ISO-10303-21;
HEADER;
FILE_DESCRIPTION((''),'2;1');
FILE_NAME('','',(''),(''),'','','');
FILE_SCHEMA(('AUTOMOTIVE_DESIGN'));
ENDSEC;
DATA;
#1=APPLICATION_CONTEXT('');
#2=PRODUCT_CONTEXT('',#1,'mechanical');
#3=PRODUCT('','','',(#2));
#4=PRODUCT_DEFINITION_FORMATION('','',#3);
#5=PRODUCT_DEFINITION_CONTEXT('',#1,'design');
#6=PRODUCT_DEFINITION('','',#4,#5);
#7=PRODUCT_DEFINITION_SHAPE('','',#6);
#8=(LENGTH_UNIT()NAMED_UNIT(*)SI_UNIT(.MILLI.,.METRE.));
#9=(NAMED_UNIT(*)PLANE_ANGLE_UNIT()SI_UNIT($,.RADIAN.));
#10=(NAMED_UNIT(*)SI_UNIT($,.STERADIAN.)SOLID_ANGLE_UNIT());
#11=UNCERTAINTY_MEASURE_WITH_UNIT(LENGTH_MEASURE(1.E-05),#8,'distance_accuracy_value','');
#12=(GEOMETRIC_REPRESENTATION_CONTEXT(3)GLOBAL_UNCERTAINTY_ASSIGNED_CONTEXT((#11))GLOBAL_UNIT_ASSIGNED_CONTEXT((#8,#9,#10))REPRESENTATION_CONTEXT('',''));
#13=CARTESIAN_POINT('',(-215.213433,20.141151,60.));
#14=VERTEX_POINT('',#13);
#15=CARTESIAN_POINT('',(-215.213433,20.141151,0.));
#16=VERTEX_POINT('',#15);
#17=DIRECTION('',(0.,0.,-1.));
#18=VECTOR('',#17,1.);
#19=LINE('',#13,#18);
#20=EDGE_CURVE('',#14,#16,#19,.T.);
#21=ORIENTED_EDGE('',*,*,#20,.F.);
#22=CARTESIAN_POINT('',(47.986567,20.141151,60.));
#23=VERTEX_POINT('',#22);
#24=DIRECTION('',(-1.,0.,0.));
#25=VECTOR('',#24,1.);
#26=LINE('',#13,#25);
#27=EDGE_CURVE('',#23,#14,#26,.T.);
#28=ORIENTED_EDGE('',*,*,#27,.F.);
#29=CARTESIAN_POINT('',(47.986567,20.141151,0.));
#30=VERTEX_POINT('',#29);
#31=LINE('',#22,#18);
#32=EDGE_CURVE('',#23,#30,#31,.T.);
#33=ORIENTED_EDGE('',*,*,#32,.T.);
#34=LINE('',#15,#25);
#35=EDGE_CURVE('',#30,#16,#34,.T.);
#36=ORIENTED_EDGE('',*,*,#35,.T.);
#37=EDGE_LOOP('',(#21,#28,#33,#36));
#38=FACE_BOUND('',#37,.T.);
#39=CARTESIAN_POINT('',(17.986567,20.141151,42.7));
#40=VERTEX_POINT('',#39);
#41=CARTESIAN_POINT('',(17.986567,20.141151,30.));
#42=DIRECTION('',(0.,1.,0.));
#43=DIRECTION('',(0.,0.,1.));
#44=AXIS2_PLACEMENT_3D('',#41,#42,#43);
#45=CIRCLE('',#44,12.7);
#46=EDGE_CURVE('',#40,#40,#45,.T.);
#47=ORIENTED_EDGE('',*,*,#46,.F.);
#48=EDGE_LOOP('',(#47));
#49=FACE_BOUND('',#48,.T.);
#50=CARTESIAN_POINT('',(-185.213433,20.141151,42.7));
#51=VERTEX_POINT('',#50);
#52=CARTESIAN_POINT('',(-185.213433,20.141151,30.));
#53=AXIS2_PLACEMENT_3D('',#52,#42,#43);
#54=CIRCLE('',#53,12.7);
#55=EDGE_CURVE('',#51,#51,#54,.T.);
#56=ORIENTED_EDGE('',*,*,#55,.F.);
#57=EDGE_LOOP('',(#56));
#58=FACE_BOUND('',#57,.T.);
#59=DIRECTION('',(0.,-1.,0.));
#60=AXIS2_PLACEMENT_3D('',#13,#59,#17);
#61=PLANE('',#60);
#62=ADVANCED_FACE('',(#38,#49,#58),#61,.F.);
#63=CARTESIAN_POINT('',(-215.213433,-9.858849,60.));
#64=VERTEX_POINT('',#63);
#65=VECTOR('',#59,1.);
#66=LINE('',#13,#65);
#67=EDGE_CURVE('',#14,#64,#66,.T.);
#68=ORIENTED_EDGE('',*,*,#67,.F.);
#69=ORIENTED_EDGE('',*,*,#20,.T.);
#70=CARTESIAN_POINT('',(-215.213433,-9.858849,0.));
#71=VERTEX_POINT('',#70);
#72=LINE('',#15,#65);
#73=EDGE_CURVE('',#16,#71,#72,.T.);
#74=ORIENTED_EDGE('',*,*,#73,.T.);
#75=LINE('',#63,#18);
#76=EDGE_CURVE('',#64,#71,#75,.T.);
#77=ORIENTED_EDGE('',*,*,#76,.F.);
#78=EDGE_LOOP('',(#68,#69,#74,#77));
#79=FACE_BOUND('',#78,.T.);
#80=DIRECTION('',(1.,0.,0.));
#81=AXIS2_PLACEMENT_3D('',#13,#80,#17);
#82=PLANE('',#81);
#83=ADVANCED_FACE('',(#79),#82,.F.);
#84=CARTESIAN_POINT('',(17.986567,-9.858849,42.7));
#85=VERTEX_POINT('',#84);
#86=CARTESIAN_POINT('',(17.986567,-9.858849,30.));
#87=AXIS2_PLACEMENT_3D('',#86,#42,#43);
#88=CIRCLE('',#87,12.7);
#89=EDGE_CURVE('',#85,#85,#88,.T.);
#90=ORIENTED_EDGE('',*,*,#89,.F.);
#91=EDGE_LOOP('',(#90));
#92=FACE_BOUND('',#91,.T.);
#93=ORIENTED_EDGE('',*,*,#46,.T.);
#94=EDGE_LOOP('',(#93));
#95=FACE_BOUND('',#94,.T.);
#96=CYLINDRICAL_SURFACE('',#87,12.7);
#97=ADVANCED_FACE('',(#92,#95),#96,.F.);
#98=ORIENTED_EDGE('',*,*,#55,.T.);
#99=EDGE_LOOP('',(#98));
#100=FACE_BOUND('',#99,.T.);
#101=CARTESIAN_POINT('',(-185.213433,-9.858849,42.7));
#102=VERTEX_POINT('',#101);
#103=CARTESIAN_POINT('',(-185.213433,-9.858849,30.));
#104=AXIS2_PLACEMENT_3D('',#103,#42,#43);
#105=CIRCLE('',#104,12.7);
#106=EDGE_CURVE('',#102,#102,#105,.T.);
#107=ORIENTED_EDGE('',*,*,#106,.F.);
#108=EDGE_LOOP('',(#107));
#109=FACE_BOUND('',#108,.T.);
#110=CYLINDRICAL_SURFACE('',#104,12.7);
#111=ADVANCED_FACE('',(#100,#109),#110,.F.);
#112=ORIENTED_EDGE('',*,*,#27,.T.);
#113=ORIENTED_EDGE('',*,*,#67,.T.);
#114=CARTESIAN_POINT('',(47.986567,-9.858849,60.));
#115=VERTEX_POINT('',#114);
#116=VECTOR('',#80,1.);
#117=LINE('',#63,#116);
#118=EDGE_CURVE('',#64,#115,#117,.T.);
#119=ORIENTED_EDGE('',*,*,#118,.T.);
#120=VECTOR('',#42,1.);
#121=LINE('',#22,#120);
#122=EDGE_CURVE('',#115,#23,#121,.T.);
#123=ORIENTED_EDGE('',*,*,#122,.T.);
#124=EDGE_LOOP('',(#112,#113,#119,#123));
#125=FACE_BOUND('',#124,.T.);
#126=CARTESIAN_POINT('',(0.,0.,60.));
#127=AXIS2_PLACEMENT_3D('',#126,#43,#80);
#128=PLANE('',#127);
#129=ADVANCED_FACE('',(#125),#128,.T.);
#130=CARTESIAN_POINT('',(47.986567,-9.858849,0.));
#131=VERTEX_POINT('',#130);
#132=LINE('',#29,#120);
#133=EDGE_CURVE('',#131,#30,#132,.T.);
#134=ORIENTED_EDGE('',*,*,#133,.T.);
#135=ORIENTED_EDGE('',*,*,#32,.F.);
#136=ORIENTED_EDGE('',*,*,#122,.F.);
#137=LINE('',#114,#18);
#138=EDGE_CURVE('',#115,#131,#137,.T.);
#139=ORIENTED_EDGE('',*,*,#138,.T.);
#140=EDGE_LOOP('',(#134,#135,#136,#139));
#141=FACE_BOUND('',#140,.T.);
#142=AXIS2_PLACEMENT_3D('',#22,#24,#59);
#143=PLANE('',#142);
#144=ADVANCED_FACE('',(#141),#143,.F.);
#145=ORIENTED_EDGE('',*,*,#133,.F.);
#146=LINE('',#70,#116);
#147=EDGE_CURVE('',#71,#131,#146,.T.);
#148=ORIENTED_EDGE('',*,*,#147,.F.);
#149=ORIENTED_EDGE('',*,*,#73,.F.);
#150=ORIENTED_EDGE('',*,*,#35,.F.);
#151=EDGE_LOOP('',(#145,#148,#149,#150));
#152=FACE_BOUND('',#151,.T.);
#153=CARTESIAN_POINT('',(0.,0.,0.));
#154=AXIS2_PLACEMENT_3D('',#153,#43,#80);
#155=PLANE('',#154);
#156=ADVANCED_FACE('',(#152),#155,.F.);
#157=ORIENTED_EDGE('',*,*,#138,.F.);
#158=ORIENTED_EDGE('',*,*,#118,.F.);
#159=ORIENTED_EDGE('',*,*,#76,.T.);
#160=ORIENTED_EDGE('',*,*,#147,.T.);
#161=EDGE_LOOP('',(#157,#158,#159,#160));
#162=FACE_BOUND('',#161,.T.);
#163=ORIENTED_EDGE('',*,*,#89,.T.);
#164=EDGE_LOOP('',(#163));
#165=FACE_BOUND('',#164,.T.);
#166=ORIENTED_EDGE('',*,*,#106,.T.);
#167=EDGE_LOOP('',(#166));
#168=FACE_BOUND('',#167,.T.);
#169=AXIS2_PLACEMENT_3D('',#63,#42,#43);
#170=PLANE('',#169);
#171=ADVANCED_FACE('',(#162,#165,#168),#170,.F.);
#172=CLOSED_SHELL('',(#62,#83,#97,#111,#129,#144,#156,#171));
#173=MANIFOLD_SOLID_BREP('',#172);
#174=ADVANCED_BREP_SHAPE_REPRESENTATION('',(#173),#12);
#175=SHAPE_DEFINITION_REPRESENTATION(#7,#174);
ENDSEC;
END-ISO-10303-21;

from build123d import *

# Parameters (mm, degrees)
SKETCH1_W           = 263.2
SKETCH1_H           = 30
BOSS_EXTRUDE1_DEPTH = 60
SKETCH2_R           = 12.7
CUT_EXTRUDE1_DEPTH  = 226.425867163


with BuildPart() as part:
    # Sketch1 → Boss-Extrude1 (new body)
    with BuildSketch(Plane.XY):
        with Locations((-83.613432634, 5.141150982)):
            Rectangle(SKETCH1_W, SKETCH1_H)
    extrude(amount=BOSS_EXTRUDE1_DEPTH)

    # Sketch2 → Cut-Extrude1 (cut, through all)
    with BuildSketch(Plane(origin=(0, 20.141150982, 0), x_dir=(1, 0, 0), z_dir=(0, 1, 0))):
        with Locations(Location((17.986567366, -30, 0), (0, 0, 270))):
            Circle(SKETCH2_R)
        with Locations(Location((-185.213432634, -30, 0), (0, 0, 270))):
            Circle(SKETCH2_R)
    extrude(amount=-CUT_EXTRUDE1_DEPTH, mode=Mode.SUBTRACT)


solid = part.part
